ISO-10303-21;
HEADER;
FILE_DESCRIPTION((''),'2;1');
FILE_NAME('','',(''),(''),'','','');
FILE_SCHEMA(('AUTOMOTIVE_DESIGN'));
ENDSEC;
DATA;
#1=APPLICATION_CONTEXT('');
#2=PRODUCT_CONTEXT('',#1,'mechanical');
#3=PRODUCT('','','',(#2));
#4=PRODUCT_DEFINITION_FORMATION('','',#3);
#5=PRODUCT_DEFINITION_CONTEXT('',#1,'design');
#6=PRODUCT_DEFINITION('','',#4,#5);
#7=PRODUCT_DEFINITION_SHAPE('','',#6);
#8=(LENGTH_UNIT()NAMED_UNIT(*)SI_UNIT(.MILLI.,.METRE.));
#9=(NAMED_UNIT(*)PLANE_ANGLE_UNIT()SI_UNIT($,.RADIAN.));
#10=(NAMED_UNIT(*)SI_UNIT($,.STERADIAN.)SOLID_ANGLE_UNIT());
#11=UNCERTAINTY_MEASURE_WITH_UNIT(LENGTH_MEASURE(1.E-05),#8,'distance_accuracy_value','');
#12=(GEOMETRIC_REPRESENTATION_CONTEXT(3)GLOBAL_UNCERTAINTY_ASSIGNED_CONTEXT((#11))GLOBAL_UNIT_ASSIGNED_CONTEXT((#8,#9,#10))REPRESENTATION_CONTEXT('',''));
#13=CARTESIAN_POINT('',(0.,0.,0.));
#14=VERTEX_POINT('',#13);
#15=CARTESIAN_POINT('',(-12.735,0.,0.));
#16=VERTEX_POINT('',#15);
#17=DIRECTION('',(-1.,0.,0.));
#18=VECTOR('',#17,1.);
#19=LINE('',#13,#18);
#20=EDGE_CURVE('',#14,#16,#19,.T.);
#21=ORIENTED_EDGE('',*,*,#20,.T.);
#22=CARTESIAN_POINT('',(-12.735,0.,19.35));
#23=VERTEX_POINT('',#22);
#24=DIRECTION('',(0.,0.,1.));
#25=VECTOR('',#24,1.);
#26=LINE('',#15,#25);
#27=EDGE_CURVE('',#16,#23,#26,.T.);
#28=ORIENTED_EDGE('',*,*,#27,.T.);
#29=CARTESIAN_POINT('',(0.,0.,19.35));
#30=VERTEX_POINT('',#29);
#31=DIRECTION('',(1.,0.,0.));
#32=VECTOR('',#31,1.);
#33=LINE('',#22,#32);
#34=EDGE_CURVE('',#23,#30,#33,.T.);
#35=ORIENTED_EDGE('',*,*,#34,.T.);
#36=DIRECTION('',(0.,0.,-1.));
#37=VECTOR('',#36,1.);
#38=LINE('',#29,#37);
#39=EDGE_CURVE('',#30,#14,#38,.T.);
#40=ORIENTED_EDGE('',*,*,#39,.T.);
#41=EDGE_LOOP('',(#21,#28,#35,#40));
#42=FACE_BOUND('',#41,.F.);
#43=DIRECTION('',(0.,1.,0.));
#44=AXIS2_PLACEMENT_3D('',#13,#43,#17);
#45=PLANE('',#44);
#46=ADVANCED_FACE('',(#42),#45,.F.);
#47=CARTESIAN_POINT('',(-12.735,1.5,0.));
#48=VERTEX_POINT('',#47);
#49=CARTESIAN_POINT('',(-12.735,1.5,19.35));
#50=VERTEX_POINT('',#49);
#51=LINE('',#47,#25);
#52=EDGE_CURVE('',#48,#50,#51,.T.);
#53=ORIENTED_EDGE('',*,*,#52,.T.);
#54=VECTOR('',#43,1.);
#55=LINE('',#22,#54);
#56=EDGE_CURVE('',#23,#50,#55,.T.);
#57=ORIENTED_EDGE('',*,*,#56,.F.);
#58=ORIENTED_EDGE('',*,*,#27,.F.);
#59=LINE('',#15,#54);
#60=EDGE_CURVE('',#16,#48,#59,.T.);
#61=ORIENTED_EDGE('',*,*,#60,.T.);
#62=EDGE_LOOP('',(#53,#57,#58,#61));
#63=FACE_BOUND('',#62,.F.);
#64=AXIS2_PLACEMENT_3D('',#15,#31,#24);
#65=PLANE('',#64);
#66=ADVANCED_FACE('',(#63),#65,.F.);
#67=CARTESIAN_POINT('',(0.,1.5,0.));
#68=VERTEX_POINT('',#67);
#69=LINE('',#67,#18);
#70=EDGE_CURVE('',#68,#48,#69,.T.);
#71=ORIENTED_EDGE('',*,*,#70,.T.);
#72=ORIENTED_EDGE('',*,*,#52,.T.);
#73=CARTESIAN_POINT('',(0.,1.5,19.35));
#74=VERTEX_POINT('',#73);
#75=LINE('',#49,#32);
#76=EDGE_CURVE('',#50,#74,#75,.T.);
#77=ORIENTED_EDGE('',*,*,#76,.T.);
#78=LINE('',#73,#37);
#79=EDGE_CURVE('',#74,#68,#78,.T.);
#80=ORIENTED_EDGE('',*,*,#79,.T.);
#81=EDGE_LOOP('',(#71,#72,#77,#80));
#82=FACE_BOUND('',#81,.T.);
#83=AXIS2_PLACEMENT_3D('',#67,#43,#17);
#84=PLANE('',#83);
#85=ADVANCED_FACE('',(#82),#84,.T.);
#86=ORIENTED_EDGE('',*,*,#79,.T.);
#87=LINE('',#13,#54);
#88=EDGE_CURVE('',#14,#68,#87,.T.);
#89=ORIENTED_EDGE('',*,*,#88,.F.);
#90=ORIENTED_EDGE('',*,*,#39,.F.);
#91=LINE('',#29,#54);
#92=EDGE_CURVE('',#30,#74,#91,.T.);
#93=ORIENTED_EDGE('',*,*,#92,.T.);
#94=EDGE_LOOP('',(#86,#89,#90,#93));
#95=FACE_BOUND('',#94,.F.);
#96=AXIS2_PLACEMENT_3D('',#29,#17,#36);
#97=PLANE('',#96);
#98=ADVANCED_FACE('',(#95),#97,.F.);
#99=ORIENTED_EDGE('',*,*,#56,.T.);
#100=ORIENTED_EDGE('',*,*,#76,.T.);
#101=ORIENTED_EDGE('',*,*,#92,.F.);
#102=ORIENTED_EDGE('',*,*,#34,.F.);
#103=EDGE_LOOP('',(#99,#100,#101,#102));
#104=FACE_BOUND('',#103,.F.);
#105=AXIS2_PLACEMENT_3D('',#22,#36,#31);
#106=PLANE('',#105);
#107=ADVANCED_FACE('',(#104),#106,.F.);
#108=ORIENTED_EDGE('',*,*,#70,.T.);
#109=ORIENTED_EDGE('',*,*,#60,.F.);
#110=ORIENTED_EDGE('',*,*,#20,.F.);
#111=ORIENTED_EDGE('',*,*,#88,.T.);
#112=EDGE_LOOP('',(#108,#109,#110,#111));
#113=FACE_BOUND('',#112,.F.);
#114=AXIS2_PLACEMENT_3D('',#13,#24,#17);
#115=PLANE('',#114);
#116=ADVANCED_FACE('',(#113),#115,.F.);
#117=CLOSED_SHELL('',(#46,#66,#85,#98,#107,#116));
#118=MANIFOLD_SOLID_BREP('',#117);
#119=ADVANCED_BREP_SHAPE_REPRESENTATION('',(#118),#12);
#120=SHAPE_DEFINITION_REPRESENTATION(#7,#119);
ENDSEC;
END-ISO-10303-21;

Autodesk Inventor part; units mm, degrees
ref_plane "YZ Plane" through (0, 0, 0) normal (1, 0, 0) x (0, 1, 0)
ref_plane "XZ Plane" through (0, 0, 0) normal (0, 1, 0) x (-1, 0, 0)
ref_plane "XY Plane" through (0, 0, 0) normal (0, 0, 1) x (1, 0, 0)
sketch "Skizze1" plane through (0, 0, 0) normal (0, 1, 0) x (-1, 0, 0)
  line L0 (0, 19.35) -> (0, 0)
  line L1 (12.735, 19.35) -> (0, 19.35)
  line L2 (12.735, 0) -> (12.735, 19.35)
  line L3 (0, 0) -> (12.735, 0)
  circle A0 centre (10.645, 8.43) radius 0.4064
  circle A1 centre (9.375, 10.97) radius 0.4064
  circle A2 centre (8.105, 8.43) radius 0.4064
  circle A3 centre (6.835, 10.97) radius 0.4064
  circle A4 centre (5.565, 8.43) radius 0.4064
  circle A5 centre (4.295, 10.97) radius 0.4064
  circle A6 centre (3.025, 8.43) radius 0.4064
  circle A7 centre (1.755, 10.97) radius 0.4064
extrude "Extrusion1" add sketch "Skizze1" along normal blind 1.5 contours L1 L2 L3 L0 | A0 | A1 | A2 | A3 | A4 | A5 | A6 | A7
sketch "Skizze5" plane through (0, 1.5, 0) normal (0, 1, 0) x (1, 0, 0)
  circle A0 centre (-1.755, -10.97) radius 0.4064 projected
  circle A1 centre (-3.025, -8.43) radius 0.4064 projected
  circle A2 centre (-4.295, -10.97) radius 0.4064 projected
  circle A3 centre (-5.565, -8.43) radius 0.4064 projected
  circle A4 centre (-6.835, -10.97) radius 0.4064 projected
  circle A5 centre (-8.105, -8.43) radius 0.4064 projected
  circle A6 centre (-9.375, -10.97) radius 0.4064 projected
  circle A7 centre (-10.645, -8.43) radius 0.4064 projected
  line L0 (0, -19.35) -> (0, 0) projected
  line L1 (0, 0) -> (-12.735, 0) projected
  line L2 (-12.735, 0) -> (-12.735, -19.35) projected
  line L3 (-12.735, -19.35) -> (0, -19.35) projected
  line L4 (0, 0) -> (-12.735, 0)
  line L5 (0, -19.35) -> (0, 0)
  line L6 (-12.735, 0) -> (-12.735, -19.35)
  line L7 (-12.735, -19.35) -> (0, -19.35)
  line L8 (-9.85, -15.125) -> (-9.85, -17.475)
  line L9 (-2.75, -15.125) -> (-9.85, -15.125)
  line L10 (-8.75, -1.42) -> (-8.75, -6.42)
  line L11 (-3.75, -1.42) -> (-8.75, -1.42)
  line L12 (-3.75, -6.42) -> (-3.75, -1.42)
  line L13 (-8.75, -6.42) -> (-3.75, -6.42)
  line L14 (-7.2, -17.4) -> (-7.2, -15.2)
  line L15 (-2.75, -17.475) -> (-2.75, -15.125)
  line L16 (-9.85, -17.475) -> (-2.75, -17.475)
  circle A8 centre (-9.375, -10.97) radius 0.4064
  circle A9 centre (-8.105, -8.43) radius 0.4064
  circle A10 centre (-6.835, -10.97) radius 0.4064
  circle A11 centre (-5.565, -8.43) radius 0.4064
  circle A12 centre (-1.755, -10.97) radius 0.4064
  circle A13 centre (-3.025, -8.43) radius 0.4064
  circle A14 centre (-4.295, -10.97) radius 0.4064
  circle A15 centre (-10.645, -8.43) radius 0.4064
properties part number "beep_rgb_ir"
